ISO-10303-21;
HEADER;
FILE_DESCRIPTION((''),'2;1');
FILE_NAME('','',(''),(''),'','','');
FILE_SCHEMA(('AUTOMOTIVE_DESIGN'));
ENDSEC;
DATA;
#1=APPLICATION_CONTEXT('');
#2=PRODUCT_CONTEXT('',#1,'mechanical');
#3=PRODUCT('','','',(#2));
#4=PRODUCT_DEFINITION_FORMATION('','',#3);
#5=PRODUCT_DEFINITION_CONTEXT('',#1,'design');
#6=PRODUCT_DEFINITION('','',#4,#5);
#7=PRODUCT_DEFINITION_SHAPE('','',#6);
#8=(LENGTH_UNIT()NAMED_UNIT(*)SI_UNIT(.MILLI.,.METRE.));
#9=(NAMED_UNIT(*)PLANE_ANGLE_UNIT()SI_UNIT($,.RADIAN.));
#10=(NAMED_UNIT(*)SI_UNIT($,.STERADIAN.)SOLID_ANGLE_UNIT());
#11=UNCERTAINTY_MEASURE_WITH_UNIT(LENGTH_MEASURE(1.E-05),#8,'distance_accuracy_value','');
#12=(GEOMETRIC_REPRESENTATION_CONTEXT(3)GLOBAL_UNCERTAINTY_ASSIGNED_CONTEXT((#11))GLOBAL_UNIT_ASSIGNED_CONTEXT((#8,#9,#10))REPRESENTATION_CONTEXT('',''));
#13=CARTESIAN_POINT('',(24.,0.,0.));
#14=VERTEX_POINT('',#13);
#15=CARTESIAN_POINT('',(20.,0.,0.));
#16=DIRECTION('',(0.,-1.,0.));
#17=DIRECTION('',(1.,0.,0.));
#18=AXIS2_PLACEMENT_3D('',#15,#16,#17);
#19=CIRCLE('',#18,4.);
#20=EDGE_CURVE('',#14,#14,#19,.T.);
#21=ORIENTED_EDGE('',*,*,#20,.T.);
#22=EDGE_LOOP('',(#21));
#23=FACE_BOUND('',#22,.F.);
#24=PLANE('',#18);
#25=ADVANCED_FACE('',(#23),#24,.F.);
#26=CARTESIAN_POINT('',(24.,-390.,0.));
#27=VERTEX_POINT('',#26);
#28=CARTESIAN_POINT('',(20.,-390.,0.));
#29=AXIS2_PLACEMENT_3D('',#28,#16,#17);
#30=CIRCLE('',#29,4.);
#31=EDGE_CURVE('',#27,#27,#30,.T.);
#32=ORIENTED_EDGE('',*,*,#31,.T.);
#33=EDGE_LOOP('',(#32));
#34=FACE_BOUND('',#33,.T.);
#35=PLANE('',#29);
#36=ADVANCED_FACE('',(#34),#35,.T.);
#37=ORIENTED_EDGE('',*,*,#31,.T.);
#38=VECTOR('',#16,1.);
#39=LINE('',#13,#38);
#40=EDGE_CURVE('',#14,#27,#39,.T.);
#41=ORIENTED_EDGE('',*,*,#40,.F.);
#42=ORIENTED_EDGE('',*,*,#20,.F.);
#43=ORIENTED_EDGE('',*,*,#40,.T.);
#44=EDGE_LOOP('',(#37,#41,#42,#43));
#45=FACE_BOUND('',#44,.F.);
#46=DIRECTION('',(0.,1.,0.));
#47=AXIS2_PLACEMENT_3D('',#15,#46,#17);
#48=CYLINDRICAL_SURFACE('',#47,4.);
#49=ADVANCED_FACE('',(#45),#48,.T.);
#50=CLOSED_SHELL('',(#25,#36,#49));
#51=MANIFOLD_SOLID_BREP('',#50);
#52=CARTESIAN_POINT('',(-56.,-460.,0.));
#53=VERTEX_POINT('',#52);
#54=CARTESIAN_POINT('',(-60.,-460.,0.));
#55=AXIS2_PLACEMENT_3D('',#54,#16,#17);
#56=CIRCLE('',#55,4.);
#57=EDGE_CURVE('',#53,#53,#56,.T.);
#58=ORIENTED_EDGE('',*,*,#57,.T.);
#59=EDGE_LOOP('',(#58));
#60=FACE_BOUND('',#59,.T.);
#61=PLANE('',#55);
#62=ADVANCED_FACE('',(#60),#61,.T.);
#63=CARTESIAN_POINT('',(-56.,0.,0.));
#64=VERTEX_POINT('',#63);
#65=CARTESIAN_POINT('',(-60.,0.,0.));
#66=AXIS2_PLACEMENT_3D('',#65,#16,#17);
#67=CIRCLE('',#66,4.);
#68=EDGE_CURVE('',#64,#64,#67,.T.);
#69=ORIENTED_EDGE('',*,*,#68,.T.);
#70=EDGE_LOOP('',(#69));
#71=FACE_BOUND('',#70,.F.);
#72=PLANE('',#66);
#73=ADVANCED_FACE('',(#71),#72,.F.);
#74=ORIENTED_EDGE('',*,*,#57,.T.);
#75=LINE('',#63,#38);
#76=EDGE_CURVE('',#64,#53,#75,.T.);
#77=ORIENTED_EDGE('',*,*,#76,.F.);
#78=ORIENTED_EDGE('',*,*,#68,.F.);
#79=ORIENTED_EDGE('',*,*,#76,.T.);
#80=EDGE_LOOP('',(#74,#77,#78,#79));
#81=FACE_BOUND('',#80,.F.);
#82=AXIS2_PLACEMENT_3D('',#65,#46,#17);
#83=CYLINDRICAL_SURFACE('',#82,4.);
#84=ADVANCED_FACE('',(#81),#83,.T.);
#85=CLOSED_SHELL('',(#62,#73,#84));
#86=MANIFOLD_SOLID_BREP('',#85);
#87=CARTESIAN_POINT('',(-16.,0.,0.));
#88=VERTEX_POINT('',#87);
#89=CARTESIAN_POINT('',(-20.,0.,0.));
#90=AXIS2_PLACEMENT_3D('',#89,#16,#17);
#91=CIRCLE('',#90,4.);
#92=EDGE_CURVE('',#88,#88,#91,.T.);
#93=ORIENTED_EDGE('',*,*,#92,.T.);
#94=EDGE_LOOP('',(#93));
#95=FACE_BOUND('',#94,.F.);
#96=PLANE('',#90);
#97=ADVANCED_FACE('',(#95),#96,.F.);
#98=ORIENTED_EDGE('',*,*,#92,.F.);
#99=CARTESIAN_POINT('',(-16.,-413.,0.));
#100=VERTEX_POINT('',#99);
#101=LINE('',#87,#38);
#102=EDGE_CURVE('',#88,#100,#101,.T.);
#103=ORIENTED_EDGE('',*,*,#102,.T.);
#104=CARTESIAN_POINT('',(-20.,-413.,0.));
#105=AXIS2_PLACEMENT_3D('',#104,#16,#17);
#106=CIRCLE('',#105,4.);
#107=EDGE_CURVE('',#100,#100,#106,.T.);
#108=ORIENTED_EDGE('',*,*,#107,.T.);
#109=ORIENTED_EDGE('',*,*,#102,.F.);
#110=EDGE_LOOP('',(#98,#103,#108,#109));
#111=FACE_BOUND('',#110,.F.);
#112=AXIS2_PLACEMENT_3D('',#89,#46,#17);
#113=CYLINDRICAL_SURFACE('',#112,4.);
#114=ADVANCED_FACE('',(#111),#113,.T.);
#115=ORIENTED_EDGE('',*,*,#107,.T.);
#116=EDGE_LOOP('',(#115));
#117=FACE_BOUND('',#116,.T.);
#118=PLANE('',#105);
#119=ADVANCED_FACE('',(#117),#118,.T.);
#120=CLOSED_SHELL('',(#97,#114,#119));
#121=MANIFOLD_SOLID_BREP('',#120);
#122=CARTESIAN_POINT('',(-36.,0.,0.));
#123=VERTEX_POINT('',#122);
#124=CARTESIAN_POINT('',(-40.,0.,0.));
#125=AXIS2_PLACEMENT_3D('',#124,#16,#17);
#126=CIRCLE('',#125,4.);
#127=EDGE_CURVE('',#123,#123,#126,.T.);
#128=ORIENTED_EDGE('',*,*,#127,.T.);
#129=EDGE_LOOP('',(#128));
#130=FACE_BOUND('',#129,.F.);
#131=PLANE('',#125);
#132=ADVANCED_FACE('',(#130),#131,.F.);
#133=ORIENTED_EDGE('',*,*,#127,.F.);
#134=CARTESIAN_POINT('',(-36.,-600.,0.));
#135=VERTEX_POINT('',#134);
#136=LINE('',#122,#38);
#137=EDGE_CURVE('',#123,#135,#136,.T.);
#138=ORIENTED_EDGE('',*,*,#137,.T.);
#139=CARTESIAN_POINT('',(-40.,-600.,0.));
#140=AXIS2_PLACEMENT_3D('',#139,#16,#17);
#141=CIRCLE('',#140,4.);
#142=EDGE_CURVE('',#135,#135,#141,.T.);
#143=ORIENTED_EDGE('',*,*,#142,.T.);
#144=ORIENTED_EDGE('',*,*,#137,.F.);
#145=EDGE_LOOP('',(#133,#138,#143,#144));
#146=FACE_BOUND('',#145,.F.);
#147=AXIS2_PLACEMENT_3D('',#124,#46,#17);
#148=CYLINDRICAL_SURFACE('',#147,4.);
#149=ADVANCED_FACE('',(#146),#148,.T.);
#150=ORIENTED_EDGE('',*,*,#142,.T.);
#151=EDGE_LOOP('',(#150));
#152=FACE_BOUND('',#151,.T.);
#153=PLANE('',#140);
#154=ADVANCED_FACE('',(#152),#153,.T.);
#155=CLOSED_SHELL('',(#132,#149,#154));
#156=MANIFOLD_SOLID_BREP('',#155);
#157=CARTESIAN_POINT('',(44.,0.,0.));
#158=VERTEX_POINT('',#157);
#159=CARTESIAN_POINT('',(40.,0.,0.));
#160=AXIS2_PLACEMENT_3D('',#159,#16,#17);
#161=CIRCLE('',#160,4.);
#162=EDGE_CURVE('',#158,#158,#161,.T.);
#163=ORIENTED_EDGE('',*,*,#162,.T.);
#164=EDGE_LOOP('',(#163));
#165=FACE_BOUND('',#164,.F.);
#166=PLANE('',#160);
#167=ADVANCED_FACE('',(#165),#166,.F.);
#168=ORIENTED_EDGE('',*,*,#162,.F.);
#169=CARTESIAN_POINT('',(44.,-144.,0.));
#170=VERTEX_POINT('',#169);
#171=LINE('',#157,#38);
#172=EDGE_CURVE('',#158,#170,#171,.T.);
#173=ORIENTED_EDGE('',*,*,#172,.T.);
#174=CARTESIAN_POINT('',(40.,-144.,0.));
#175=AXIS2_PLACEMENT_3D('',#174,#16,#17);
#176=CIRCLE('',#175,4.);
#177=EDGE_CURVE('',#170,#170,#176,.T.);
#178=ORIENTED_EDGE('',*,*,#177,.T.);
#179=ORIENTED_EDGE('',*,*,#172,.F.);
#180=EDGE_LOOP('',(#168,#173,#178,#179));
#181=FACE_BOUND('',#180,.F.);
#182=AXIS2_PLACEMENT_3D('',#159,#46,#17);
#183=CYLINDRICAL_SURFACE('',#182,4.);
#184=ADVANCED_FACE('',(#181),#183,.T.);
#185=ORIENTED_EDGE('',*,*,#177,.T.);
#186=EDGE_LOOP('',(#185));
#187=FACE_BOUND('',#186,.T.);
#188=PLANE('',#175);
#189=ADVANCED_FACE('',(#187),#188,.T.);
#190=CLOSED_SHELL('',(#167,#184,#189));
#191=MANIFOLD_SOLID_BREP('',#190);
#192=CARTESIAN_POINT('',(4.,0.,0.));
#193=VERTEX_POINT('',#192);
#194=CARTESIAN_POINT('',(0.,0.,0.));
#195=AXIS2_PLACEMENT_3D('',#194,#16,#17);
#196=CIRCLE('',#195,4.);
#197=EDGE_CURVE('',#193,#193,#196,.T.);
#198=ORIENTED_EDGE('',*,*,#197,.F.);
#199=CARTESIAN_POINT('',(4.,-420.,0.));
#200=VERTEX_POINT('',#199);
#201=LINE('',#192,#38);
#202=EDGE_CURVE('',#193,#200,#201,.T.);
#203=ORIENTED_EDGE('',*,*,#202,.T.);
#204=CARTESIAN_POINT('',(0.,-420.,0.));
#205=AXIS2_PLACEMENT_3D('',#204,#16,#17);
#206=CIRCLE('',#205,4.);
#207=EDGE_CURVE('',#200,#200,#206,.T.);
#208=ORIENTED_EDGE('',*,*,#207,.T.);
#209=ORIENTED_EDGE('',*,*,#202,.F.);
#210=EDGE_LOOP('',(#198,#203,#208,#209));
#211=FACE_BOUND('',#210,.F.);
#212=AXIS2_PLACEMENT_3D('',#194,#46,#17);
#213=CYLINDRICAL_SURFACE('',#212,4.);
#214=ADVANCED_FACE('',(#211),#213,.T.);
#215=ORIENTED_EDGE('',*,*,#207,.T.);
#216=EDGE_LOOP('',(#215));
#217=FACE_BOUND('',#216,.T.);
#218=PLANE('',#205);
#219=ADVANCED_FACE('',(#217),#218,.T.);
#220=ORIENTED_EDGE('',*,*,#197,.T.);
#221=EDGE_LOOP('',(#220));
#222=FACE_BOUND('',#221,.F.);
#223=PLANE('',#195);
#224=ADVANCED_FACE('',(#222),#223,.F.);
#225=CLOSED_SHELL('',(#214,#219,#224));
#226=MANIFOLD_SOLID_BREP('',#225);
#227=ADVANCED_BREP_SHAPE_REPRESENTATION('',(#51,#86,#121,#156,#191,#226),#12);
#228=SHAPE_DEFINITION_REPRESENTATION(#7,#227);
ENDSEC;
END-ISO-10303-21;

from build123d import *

# Parameters (mm, degrees)
F0_R     = 4
F1_DEPTH = 420
F2_DEPTH = 390
F3_DEPTH = 413
F4_DEPTH = 600
F5_DEPTH = 460
F6_DEPTH = 144


with BuildPart() as f1:
    # F0 (on Front) → F1 (new body)
    with BuildSketch(Plane.XZ):
        Circle(F0_R)
    extrude(amount=F1_DEPTH)


with BuildPart() as f2:
    # F0 (on Front) → F2 (new body)
    with BuildSketch(Plane.XZ):
        with Locations((20, 0)):
            Circle(F0_R)
    extrude(amount=F2_DEPTH)


with BuildPart() as f3:
    # F0 (on Front) → F3 (new body)
    with BuildSketch(Plane.XZ):
        with Locations((-20, 0)):
            Circle(F0_R)
    extrude(amount=F3_DEPTH)


with BuildPart() as f4:
    # F0 (on Front) → F4 (new body)
    with BuildSketch(Plane.XZ):
        with Locations((-40, 0)):
            Circle(F0_R)
    extrude(amount=F4_DEPTH)


with BuildPart() as f5:
    # F0 (on Front) → F5 (new body)
    with BuildSketch(Plane.XZ):
        with Locations((-60, 0)):
            Circle(F0_R)
    extrude(amount=F5_DEPTH)


with BuildPart() as f6:
    # F0 (on Front) → F6 (new body)
    with BuildSketch(Plane.XZ):
        with Locations((40, 0)):
            Circle(F0_R)
    extrude(amount=F6_DEPTH)


solid = Compound([f1.part, f2.part, f3.part, f4.part, f5.part, f6.part])
